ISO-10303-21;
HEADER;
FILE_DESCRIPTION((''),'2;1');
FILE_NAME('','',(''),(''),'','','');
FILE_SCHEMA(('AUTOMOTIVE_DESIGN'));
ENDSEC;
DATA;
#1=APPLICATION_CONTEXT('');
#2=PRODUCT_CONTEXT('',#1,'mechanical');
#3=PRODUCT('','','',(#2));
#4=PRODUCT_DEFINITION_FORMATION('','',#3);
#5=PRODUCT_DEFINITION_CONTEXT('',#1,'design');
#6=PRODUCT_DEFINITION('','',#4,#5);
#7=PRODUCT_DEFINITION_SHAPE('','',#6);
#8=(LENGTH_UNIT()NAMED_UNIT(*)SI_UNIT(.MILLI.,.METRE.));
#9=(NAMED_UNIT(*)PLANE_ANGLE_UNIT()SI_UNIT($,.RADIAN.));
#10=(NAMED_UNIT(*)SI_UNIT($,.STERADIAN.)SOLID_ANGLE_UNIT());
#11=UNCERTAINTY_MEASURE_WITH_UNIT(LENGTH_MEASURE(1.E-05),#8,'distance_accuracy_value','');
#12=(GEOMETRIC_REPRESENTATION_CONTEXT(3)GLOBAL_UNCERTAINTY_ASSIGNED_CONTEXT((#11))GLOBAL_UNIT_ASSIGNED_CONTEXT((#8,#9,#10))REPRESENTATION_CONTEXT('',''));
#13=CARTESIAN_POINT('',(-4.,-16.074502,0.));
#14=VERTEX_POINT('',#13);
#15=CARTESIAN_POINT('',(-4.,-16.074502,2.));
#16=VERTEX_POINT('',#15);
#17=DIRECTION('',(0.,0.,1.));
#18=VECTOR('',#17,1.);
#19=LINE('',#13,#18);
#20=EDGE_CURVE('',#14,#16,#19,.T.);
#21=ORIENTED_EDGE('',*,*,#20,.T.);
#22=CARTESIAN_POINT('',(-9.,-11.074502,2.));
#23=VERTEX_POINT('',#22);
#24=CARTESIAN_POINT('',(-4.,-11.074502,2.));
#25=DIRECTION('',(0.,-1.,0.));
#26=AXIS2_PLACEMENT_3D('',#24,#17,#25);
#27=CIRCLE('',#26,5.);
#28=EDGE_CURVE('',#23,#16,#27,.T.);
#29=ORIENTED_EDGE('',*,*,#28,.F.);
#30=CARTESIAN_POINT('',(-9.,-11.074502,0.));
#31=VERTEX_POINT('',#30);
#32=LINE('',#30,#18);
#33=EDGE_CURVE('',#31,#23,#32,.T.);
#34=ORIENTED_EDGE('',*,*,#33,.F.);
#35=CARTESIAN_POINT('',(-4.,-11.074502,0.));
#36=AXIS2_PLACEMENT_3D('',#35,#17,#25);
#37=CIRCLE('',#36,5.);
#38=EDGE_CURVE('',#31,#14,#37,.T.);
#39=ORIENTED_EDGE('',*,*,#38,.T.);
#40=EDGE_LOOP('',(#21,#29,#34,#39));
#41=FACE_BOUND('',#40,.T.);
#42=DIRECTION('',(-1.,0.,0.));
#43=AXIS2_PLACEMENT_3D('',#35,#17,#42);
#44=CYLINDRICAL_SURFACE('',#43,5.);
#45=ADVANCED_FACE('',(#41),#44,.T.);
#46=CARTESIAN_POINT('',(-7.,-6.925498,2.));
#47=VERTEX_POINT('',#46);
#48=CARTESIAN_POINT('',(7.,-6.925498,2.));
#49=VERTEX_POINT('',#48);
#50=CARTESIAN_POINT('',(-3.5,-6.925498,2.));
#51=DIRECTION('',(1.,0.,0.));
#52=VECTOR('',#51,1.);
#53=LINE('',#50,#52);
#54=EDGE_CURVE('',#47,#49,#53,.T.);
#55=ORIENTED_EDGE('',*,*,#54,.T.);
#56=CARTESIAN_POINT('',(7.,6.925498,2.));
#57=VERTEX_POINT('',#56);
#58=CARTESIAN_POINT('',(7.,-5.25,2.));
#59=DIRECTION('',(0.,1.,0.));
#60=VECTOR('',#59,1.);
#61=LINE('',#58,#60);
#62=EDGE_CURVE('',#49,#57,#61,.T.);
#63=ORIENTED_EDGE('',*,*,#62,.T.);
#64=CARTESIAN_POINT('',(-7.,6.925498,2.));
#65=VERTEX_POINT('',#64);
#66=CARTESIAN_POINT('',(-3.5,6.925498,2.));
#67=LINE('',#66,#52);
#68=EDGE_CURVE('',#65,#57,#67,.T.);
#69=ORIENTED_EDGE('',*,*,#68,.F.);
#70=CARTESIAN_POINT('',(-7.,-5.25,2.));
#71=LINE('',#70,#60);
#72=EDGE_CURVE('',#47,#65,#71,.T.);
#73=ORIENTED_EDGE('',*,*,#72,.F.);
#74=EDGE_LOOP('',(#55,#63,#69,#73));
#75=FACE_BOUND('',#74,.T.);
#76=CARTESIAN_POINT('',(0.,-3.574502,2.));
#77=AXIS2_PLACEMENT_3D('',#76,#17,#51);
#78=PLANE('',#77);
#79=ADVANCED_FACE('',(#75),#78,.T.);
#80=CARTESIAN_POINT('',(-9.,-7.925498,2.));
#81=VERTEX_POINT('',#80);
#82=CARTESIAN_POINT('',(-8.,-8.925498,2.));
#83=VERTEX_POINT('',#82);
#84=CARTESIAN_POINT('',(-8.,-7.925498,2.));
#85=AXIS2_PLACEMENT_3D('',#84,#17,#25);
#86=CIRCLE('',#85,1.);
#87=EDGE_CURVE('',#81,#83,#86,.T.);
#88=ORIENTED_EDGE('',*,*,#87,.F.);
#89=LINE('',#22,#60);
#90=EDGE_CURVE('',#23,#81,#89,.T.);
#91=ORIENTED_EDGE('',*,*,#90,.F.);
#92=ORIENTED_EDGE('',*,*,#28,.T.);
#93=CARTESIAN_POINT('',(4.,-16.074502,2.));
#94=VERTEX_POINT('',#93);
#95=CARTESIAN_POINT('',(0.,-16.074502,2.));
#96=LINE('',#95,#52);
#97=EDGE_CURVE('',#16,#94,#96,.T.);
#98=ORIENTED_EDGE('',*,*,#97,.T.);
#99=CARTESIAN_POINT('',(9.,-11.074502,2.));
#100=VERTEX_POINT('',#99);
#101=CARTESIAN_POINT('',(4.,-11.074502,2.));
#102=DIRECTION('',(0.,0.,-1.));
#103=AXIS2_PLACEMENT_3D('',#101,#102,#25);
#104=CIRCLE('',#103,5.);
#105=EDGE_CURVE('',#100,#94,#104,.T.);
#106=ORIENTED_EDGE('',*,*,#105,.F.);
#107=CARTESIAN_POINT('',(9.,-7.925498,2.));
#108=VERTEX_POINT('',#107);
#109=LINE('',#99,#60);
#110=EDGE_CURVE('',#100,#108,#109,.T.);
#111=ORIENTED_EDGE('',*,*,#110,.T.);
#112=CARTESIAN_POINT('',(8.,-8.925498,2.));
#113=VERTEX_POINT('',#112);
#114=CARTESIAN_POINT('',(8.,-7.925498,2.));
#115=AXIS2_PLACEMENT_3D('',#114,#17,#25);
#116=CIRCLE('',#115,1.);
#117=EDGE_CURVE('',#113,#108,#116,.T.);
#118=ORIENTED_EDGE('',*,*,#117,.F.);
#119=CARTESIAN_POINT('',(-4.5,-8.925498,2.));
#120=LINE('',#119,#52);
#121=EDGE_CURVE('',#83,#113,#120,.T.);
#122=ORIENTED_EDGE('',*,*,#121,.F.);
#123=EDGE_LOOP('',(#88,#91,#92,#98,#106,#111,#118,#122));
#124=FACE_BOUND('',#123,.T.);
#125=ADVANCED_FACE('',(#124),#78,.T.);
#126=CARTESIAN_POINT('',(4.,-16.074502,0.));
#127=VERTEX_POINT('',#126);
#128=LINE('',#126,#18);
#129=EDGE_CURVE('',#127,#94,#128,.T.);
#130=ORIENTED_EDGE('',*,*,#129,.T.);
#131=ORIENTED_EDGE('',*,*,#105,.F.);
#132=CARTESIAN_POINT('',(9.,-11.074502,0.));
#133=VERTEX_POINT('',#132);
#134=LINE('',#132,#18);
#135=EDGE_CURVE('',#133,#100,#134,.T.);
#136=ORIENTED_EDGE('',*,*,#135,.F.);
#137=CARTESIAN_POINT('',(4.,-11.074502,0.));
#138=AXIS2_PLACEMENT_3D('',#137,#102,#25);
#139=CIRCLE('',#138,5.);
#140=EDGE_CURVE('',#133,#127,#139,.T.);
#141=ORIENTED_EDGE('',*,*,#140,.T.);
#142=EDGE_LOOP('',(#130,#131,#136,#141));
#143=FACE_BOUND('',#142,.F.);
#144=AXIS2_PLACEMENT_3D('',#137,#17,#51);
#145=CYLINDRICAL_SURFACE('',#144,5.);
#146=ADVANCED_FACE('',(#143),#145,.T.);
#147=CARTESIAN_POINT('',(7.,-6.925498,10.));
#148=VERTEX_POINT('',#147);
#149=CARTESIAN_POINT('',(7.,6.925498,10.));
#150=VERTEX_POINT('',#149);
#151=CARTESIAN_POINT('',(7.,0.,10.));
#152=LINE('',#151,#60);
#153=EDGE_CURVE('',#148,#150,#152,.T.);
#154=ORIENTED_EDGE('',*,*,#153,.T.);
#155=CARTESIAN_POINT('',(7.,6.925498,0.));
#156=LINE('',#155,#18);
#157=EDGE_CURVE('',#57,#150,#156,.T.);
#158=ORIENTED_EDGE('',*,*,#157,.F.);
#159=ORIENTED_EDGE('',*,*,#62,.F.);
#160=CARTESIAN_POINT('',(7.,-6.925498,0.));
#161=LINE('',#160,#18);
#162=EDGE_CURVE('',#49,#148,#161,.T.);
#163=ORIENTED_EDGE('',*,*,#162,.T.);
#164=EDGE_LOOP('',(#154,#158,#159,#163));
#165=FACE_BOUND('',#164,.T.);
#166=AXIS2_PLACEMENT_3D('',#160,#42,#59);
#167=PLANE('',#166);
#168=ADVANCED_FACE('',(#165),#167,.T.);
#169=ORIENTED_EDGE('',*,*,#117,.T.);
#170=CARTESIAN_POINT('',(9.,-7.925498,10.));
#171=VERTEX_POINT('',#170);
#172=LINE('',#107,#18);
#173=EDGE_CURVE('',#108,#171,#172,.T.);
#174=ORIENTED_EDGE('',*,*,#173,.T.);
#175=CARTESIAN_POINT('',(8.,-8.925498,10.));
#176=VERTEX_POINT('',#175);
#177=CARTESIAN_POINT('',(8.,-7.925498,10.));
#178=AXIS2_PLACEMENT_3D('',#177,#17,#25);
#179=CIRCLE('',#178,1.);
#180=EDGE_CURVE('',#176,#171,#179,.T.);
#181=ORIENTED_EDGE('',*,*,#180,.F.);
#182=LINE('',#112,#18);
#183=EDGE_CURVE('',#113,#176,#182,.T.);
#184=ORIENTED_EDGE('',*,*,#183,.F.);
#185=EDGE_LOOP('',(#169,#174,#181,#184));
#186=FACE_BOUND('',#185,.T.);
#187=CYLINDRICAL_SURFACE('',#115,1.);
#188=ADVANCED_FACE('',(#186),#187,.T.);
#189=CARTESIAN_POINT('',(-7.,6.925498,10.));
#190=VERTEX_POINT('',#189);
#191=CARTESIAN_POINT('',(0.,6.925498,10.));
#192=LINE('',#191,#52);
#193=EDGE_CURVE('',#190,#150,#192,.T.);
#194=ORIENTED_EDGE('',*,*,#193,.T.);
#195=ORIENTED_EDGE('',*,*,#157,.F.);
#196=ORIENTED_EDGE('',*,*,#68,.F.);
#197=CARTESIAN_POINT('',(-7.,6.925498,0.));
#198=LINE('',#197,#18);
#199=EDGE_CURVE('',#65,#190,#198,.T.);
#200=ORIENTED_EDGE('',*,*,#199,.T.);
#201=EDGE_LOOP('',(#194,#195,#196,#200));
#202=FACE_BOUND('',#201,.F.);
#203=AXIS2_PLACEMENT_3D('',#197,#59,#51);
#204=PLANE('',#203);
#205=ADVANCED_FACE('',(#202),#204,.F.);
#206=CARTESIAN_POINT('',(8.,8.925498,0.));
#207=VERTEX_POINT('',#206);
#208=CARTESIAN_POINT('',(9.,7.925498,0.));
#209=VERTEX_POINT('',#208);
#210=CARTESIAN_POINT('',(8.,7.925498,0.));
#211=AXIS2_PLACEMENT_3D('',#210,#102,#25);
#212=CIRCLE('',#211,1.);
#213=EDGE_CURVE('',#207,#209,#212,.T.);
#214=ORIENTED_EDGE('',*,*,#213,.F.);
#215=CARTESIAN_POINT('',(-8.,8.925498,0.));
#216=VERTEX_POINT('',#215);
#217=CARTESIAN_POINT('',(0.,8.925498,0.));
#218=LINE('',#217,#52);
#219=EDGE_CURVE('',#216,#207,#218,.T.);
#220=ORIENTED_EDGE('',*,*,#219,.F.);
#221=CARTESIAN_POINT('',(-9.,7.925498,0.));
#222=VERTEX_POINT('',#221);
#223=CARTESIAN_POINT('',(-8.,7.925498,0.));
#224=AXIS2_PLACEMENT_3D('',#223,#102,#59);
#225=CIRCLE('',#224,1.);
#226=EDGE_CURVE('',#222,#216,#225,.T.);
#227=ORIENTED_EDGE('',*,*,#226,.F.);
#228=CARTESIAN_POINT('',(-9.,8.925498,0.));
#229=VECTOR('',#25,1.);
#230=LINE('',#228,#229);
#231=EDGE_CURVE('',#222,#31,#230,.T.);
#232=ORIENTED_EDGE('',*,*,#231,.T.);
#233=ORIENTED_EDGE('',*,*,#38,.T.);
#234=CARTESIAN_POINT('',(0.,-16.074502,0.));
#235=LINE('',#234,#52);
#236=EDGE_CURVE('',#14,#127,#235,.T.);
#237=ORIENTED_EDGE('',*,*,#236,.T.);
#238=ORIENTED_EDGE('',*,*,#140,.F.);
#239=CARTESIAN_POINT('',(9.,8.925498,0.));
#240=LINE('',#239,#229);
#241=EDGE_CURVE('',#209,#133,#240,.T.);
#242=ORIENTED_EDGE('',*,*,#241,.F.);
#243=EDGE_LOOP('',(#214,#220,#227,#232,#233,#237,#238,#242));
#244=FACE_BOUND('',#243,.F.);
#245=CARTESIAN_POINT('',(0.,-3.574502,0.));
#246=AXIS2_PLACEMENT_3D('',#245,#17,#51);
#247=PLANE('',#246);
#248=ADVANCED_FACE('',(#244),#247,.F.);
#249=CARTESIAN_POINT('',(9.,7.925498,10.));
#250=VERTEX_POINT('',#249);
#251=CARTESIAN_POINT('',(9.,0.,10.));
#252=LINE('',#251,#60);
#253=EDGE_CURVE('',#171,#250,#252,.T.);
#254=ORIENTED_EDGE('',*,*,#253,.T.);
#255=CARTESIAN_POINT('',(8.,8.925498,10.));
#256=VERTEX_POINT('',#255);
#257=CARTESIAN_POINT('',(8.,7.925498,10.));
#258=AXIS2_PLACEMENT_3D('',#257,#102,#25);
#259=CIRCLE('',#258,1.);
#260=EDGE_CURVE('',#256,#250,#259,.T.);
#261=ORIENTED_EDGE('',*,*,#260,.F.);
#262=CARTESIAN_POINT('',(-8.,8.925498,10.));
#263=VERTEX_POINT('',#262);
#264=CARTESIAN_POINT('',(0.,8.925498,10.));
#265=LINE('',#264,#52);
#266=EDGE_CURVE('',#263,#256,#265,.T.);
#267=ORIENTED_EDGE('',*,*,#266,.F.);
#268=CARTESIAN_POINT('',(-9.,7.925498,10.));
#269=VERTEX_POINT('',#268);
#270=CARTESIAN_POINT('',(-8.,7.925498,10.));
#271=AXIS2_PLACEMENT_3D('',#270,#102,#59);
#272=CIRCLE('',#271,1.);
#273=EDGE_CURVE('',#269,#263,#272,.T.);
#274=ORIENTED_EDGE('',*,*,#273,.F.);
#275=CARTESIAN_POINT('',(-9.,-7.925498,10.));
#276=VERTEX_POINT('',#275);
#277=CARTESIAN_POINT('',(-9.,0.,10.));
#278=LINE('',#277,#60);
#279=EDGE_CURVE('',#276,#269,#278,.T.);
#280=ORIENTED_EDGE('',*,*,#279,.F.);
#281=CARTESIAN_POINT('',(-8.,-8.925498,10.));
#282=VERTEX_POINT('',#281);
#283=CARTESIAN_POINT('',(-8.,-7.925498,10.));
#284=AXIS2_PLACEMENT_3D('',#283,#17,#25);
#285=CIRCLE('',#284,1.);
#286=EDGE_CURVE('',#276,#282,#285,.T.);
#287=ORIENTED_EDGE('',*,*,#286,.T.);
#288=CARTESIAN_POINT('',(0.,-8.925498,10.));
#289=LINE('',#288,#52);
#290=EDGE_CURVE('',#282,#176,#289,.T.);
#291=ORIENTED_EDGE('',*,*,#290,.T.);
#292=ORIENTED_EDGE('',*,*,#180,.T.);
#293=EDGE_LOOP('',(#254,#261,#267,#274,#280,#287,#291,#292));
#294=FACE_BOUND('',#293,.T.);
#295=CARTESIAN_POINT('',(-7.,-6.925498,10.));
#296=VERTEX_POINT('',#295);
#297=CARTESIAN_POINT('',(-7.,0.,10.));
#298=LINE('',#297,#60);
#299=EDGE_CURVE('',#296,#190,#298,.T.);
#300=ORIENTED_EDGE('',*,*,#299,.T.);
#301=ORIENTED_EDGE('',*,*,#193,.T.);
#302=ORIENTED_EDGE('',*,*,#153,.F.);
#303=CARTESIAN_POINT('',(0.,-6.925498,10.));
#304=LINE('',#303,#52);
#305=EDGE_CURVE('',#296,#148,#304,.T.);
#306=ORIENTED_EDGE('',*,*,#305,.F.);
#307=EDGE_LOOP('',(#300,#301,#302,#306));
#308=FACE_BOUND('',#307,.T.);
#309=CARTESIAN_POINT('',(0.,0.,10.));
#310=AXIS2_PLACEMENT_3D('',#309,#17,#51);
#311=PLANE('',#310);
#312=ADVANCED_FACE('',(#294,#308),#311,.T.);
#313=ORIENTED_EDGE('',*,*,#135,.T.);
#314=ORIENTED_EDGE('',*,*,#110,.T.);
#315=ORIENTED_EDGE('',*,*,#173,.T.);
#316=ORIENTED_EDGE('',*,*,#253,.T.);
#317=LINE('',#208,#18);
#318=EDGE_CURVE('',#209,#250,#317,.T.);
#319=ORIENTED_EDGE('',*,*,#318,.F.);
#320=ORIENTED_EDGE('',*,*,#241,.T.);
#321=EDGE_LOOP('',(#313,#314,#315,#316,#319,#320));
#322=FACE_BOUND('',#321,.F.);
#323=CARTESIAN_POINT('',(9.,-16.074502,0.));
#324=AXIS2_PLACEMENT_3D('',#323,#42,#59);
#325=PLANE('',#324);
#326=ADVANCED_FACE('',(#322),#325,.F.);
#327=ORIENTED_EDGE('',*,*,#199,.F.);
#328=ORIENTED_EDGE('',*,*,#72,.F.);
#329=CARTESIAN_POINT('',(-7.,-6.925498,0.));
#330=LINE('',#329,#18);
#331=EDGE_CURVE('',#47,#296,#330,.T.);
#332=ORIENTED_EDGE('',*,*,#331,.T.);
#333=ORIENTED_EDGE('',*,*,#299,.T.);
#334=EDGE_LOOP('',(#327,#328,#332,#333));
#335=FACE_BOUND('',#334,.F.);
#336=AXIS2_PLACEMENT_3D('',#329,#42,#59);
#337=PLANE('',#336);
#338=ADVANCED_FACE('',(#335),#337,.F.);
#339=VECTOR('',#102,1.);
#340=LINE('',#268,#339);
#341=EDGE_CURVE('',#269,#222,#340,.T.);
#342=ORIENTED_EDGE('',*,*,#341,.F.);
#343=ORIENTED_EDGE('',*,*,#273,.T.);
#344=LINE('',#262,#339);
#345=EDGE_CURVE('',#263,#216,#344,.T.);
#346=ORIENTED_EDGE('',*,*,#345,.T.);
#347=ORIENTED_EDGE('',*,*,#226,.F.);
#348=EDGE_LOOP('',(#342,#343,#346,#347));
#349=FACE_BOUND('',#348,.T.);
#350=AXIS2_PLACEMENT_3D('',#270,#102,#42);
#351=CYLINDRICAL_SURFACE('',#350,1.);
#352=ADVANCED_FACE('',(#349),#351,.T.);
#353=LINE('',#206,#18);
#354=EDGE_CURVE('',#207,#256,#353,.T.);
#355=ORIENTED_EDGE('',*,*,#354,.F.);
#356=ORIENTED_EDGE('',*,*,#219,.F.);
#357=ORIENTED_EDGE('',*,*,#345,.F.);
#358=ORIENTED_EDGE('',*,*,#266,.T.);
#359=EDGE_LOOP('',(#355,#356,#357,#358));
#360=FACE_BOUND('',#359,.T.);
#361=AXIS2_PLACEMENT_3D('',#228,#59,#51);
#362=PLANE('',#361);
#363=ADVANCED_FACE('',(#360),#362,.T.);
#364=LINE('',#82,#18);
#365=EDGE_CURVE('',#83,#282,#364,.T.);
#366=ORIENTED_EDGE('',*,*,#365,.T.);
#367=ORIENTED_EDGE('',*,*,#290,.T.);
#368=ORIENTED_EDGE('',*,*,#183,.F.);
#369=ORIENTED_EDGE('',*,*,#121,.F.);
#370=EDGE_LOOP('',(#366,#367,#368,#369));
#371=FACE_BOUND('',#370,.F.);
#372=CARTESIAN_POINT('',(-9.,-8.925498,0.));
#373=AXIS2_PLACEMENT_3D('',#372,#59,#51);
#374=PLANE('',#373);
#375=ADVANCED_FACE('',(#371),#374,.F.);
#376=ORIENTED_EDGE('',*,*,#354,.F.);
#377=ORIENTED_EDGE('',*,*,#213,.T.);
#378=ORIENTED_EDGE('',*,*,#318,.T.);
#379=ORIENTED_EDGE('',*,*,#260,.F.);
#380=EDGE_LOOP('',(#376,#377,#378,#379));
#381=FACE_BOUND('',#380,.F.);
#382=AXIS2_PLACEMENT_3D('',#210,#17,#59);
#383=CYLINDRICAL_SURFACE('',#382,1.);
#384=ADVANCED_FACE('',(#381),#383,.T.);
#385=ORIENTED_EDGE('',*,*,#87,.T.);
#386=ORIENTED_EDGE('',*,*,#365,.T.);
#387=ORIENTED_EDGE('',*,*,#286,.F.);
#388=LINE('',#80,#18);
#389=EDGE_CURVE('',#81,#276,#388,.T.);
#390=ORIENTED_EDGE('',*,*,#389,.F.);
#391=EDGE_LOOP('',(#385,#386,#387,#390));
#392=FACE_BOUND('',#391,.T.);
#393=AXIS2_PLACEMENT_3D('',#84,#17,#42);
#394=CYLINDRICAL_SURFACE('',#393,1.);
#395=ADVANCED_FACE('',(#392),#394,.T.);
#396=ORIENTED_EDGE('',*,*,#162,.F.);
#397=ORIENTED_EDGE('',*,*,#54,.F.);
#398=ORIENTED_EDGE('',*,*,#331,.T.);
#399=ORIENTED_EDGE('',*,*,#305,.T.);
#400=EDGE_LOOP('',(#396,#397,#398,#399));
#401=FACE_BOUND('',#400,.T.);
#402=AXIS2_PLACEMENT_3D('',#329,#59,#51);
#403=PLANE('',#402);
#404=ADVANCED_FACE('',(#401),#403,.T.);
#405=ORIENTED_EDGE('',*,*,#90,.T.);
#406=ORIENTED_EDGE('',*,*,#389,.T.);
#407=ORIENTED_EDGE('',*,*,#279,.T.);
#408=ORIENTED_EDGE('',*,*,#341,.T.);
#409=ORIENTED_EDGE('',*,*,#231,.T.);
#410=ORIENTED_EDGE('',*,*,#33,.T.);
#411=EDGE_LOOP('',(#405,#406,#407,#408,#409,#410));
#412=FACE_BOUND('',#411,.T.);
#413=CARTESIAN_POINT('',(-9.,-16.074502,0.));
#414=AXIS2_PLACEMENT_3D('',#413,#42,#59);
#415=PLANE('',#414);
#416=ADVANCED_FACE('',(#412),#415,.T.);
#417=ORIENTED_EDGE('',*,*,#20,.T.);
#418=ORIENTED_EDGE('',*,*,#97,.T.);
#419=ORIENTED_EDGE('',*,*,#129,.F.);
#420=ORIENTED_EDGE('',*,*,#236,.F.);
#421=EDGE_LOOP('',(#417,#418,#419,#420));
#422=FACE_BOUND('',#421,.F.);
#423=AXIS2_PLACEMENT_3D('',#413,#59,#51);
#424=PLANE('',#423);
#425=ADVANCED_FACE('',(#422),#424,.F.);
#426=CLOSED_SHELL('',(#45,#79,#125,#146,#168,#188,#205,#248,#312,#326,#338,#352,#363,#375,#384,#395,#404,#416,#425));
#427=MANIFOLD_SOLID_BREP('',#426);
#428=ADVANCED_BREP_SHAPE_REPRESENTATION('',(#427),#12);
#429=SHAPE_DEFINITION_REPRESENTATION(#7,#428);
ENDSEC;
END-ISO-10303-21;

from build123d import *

# Parameters (mm, degrees)
F0_W     = 18
F0_H     = 17.850996
F0_W_2   = 14
F0_H_2   = 13.850996
F1_DEPTH = 10
F2_W     = 18
F2_H     = 25
F3_DEPTH = 2
F4_R     = 5
F5_R     = 1


with BuildPart() as f1:
    # F0 (on Top) → F1 (new body)
    with BuildSketch(Plane.XY):
        Rectangle(F0_W, F0_H)
        Rectangle(F0_W_2, F0_H_2, mode=Mode.SUBTRACT)
    extrude(amount=F1_DEPTH)

    # F2 (on Top) → F3 (join)
    with BuildSketch(Plane.XY):
        with Locations((0, -3.574502)):
            Rectangle(F2_W, F2_H)
    extrude(amount=F3_DEPTH)

    # F4
    f4_edges = [f1.edges().sort_by_distance(p)[0] for p in [
        (9, -16.074502, 1),
        (-9, -16.074502, 1),
    ]]
    fillet(f4_edges, radius=F4_R)

    # F5
    f5_edges = [f1.edges().sort_by_distance(p)[0] for p in [
        (9, -8.925498, 6),
        (-9, -8.925498, 6),
        (-9, 8.925498, 5),
        (9, 8.925498, 5),
    ]]
    fillet(f5_edges, radius=F5_R)


solid = f1.part
